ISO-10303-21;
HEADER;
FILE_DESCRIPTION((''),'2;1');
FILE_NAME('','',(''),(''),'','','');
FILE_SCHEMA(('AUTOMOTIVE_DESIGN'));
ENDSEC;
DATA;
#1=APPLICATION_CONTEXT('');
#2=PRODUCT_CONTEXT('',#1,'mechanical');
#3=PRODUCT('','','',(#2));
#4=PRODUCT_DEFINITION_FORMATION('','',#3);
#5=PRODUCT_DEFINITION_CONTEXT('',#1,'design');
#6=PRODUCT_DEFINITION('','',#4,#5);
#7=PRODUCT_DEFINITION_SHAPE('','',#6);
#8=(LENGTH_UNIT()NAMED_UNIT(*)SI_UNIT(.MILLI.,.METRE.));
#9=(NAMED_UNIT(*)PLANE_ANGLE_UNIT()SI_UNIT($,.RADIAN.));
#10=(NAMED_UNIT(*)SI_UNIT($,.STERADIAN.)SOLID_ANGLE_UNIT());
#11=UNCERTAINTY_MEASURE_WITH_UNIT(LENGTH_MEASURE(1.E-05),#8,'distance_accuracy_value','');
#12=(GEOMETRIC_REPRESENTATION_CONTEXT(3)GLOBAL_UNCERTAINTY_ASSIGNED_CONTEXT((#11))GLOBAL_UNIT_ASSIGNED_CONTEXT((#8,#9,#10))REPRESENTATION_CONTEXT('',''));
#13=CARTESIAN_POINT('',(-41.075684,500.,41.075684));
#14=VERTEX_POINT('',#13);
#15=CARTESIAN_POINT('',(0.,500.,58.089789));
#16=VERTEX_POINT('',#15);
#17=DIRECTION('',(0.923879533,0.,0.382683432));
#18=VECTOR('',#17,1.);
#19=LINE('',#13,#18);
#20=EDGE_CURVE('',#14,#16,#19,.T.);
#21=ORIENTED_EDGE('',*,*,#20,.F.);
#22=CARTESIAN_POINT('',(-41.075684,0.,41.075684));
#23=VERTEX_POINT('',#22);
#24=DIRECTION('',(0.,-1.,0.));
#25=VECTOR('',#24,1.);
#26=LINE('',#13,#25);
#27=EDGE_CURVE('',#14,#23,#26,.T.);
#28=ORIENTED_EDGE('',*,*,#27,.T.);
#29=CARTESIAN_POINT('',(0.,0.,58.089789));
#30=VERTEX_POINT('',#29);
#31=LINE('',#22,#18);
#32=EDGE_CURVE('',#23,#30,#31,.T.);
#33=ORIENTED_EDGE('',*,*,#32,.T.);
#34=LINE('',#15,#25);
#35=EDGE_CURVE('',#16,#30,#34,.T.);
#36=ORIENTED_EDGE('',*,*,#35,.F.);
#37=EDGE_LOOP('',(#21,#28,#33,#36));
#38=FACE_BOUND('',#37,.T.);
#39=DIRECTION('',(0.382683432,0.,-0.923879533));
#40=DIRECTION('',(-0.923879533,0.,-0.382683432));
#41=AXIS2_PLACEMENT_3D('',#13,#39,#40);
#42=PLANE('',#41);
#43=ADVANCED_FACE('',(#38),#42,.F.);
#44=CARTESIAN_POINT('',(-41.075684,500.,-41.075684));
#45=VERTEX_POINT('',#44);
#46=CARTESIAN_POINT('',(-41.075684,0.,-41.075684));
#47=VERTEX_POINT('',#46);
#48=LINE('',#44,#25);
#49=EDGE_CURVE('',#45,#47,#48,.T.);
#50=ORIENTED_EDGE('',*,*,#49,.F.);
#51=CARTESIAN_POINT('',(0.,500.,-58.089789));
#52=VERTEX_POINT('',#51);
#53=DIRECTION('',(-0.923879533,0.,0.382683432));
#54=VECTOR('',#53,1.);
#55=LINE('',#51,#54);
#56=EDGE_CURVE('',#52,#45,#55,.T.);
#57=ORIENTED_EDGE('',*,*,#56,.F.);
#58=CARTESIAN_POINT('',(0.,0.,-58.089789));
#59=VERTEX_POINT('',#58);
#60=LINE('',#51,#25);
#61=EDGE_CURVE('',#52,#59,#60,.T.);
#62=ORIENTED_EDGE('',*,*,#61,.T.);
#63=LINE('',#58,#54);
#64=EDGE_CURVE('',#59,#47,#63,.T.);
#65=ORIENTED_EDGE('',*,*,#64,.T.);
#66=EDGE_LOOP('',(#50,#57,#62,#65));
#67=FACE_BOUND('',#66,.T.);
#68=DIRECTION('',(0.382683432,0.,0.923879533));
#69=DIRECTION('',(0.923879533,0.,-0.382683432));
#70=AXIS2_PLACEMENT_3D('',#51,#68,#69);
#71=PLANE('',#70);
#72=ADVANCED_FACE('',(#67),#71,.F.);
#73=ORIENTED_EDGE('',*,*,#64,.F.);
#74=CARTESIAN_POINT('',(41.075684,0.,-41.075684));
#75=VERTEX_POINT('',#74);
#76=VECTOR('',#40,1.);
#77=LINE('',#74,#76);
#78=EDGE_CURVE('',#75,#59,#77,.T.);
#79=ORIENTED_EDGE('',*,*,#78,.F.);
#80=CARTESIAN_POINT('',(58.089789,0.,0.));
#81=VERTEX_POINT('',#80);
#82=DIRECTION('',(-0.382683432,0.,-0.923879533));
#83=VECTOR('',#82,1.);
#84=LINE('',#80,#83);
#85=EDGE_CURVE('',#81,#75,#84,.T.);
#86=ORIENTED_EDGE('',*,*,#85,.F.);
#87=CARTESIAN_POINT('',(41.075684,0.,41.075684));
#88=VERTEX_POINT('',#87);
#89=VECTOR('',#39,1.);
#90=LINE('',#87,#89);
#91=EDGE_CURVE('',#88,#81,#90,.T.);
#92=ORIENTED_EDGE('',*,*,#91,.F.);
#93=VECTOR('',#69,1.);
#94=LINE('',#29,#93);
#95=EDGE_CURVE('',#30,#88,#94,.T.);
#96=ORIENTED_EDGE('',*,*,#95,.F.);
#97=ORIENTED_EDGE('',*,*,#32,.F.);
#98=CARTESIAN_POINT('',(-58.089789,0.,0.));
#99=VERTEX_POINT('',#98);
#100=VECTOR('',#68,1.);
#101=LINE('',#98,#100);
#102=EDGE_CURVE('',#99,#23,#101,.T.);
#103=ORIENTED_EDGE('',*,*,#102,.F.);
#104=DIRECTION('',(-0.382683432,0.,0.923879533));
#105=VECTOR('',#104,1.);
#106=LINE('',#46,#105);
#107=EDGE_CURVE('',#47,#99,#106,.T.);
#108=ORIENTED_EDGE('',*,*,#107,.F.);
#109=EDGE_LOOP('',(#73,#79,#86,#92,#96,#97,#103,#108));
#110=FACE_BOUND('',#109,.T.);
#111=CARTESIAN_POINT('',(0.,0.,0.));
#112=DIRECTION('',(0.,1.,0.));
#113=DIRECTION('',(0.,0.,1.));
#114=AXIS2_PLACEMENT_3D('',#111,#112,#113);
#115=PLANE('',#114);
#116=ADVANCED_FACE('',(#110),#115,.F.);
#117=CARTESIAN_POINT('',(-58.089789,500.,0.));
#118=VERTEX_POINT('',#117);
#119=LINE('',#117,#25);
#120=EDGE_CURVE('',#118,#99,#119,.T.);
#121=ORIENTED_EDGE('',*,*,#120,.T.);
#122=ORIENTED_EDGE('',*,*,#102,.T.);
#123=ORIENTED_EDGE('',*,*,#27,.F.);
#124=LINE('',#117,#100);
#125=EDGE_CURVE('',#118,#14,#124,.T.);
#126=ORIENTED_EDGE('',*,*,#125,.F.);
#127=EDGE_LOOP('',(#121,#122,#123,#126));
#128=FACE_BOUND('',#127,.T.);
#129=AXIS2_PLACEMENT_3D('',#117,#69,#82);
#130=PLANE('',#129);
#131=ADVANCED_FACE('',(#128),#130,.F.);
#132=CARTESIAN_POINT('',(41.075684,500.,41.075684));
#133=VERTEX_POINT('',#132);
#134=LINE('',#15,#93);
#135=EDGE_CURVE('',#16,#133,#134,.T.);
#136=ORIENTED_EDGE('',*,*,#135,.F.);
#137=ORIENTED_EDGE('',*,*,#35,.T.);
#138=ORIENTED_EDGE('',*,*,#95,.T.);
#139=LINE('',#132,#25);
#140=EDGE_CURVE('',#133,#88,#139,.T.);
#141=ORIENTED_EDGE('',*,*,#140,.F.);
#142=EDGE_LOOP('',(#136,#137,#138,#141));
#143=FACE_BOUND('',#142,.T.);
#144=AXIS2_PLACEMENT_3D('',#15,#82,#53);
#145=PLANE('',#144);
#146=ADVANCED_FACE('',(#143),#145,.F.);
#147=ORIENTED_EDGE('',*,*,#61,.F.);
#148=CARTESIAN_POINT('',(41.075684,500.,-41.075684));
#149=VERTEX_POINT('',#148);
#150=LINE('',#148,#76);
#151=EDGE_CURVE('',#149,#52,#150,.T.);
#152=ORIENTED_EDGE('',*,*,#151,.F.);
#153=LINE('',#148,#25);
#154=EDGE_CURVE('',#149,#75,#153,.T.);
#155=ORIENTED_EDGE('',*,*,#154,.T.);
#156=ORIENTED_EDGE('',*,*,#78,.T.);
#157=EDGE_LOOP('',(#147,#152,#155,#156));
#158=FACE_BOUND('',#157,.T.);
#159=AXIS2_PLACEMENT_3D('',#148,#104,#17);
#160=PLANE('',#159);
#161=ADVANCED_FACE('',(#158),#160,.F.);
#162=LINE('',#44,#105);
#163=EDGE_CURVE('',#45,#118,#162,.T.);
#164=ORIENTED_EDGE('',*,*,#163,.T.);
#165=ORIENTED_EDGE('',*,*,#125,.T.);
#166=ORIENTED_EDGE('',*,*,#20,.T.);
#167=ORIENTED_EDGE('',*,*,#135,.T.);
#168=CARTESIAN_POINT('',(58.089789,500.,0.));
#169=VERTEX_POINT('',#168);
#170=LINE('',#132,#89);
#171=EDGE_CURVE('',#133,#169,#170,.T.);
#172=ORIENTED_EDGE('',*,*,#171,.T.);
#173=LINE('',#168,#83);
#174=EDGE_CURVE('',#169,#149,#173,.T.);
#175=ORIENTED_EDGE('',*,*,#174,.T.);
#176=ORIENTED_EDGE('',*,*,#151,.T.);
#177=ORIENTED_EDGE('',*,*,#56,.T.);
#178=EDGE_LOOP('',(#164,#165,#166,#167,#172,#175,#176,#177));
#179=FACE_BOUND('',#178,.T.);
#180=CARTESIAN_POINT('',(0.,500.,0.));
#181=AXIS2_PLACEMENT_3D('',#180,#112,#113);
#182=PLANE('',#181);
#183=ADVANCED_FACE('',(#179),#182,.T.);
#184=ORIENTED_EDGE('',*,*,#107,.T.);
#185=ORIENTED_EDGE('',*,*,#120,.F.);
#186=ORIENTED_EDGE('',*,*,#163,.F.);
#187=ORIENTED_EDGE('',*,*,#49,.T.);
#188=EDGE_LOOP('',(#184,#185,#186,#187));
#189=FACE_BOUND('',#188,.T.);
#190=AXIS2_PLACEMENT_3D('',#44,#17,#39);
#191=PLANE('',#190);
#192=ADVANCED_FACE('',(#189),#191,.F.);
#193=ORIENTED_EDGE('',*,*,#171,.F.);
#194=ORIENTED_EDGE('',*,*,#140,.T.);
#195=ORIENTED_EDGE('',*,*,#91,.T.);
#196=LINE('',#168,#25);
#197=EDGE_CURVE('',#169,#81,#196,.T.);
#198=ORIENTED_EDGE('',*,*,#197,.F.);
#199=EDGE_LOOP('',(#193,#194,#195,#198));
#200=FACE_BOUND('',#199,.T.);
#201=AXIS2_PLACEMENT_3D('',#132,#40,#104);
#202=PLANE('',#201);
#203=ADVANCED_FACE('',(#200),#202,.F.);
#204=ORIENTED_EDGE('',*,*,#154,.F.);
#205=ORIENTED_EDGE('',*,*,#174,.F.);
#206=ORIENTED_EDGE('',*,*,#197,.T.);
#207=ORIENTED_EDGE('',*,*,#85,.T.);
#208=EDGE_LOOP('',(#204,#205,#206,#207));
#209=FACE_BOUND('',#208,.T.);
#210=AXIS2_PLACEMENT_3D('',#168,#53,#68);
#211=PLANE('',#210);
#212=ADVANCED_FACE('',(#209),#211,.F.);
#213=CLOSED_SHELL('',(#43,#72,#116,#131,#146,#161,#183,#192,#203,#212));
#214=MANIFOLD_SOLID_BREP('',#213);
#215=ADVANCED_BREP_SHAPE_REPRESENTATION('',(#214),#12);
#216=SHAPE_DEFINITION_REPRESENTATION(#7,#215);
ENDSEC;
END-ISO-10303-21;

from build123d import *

# Parameters (mm, degrees)
BOSS_EXTRUDE1_DEPTH = 500


with BuildPart() as part:
    # Sketch1 → Boss-Extrude1 (new body)
    with BuildSketch(Plane(origin=(0, 0, 0), x_dir=(1, 0, 0), z_dir=(0, 1, 0))):
        Polygon((0, 58.089789418), (-41.075684015, 41.075684015), (-58.089789418, 0), (-41.075684015, -41.075684015), (0, -58.089789418), (41.075684015, -41.075684015), (58.089789418, 0), (41.075684015, 41.075684015), align=None)
    extrude(amount=BOSS_EXTRUDE1_DEPTH)


solid = part.part
